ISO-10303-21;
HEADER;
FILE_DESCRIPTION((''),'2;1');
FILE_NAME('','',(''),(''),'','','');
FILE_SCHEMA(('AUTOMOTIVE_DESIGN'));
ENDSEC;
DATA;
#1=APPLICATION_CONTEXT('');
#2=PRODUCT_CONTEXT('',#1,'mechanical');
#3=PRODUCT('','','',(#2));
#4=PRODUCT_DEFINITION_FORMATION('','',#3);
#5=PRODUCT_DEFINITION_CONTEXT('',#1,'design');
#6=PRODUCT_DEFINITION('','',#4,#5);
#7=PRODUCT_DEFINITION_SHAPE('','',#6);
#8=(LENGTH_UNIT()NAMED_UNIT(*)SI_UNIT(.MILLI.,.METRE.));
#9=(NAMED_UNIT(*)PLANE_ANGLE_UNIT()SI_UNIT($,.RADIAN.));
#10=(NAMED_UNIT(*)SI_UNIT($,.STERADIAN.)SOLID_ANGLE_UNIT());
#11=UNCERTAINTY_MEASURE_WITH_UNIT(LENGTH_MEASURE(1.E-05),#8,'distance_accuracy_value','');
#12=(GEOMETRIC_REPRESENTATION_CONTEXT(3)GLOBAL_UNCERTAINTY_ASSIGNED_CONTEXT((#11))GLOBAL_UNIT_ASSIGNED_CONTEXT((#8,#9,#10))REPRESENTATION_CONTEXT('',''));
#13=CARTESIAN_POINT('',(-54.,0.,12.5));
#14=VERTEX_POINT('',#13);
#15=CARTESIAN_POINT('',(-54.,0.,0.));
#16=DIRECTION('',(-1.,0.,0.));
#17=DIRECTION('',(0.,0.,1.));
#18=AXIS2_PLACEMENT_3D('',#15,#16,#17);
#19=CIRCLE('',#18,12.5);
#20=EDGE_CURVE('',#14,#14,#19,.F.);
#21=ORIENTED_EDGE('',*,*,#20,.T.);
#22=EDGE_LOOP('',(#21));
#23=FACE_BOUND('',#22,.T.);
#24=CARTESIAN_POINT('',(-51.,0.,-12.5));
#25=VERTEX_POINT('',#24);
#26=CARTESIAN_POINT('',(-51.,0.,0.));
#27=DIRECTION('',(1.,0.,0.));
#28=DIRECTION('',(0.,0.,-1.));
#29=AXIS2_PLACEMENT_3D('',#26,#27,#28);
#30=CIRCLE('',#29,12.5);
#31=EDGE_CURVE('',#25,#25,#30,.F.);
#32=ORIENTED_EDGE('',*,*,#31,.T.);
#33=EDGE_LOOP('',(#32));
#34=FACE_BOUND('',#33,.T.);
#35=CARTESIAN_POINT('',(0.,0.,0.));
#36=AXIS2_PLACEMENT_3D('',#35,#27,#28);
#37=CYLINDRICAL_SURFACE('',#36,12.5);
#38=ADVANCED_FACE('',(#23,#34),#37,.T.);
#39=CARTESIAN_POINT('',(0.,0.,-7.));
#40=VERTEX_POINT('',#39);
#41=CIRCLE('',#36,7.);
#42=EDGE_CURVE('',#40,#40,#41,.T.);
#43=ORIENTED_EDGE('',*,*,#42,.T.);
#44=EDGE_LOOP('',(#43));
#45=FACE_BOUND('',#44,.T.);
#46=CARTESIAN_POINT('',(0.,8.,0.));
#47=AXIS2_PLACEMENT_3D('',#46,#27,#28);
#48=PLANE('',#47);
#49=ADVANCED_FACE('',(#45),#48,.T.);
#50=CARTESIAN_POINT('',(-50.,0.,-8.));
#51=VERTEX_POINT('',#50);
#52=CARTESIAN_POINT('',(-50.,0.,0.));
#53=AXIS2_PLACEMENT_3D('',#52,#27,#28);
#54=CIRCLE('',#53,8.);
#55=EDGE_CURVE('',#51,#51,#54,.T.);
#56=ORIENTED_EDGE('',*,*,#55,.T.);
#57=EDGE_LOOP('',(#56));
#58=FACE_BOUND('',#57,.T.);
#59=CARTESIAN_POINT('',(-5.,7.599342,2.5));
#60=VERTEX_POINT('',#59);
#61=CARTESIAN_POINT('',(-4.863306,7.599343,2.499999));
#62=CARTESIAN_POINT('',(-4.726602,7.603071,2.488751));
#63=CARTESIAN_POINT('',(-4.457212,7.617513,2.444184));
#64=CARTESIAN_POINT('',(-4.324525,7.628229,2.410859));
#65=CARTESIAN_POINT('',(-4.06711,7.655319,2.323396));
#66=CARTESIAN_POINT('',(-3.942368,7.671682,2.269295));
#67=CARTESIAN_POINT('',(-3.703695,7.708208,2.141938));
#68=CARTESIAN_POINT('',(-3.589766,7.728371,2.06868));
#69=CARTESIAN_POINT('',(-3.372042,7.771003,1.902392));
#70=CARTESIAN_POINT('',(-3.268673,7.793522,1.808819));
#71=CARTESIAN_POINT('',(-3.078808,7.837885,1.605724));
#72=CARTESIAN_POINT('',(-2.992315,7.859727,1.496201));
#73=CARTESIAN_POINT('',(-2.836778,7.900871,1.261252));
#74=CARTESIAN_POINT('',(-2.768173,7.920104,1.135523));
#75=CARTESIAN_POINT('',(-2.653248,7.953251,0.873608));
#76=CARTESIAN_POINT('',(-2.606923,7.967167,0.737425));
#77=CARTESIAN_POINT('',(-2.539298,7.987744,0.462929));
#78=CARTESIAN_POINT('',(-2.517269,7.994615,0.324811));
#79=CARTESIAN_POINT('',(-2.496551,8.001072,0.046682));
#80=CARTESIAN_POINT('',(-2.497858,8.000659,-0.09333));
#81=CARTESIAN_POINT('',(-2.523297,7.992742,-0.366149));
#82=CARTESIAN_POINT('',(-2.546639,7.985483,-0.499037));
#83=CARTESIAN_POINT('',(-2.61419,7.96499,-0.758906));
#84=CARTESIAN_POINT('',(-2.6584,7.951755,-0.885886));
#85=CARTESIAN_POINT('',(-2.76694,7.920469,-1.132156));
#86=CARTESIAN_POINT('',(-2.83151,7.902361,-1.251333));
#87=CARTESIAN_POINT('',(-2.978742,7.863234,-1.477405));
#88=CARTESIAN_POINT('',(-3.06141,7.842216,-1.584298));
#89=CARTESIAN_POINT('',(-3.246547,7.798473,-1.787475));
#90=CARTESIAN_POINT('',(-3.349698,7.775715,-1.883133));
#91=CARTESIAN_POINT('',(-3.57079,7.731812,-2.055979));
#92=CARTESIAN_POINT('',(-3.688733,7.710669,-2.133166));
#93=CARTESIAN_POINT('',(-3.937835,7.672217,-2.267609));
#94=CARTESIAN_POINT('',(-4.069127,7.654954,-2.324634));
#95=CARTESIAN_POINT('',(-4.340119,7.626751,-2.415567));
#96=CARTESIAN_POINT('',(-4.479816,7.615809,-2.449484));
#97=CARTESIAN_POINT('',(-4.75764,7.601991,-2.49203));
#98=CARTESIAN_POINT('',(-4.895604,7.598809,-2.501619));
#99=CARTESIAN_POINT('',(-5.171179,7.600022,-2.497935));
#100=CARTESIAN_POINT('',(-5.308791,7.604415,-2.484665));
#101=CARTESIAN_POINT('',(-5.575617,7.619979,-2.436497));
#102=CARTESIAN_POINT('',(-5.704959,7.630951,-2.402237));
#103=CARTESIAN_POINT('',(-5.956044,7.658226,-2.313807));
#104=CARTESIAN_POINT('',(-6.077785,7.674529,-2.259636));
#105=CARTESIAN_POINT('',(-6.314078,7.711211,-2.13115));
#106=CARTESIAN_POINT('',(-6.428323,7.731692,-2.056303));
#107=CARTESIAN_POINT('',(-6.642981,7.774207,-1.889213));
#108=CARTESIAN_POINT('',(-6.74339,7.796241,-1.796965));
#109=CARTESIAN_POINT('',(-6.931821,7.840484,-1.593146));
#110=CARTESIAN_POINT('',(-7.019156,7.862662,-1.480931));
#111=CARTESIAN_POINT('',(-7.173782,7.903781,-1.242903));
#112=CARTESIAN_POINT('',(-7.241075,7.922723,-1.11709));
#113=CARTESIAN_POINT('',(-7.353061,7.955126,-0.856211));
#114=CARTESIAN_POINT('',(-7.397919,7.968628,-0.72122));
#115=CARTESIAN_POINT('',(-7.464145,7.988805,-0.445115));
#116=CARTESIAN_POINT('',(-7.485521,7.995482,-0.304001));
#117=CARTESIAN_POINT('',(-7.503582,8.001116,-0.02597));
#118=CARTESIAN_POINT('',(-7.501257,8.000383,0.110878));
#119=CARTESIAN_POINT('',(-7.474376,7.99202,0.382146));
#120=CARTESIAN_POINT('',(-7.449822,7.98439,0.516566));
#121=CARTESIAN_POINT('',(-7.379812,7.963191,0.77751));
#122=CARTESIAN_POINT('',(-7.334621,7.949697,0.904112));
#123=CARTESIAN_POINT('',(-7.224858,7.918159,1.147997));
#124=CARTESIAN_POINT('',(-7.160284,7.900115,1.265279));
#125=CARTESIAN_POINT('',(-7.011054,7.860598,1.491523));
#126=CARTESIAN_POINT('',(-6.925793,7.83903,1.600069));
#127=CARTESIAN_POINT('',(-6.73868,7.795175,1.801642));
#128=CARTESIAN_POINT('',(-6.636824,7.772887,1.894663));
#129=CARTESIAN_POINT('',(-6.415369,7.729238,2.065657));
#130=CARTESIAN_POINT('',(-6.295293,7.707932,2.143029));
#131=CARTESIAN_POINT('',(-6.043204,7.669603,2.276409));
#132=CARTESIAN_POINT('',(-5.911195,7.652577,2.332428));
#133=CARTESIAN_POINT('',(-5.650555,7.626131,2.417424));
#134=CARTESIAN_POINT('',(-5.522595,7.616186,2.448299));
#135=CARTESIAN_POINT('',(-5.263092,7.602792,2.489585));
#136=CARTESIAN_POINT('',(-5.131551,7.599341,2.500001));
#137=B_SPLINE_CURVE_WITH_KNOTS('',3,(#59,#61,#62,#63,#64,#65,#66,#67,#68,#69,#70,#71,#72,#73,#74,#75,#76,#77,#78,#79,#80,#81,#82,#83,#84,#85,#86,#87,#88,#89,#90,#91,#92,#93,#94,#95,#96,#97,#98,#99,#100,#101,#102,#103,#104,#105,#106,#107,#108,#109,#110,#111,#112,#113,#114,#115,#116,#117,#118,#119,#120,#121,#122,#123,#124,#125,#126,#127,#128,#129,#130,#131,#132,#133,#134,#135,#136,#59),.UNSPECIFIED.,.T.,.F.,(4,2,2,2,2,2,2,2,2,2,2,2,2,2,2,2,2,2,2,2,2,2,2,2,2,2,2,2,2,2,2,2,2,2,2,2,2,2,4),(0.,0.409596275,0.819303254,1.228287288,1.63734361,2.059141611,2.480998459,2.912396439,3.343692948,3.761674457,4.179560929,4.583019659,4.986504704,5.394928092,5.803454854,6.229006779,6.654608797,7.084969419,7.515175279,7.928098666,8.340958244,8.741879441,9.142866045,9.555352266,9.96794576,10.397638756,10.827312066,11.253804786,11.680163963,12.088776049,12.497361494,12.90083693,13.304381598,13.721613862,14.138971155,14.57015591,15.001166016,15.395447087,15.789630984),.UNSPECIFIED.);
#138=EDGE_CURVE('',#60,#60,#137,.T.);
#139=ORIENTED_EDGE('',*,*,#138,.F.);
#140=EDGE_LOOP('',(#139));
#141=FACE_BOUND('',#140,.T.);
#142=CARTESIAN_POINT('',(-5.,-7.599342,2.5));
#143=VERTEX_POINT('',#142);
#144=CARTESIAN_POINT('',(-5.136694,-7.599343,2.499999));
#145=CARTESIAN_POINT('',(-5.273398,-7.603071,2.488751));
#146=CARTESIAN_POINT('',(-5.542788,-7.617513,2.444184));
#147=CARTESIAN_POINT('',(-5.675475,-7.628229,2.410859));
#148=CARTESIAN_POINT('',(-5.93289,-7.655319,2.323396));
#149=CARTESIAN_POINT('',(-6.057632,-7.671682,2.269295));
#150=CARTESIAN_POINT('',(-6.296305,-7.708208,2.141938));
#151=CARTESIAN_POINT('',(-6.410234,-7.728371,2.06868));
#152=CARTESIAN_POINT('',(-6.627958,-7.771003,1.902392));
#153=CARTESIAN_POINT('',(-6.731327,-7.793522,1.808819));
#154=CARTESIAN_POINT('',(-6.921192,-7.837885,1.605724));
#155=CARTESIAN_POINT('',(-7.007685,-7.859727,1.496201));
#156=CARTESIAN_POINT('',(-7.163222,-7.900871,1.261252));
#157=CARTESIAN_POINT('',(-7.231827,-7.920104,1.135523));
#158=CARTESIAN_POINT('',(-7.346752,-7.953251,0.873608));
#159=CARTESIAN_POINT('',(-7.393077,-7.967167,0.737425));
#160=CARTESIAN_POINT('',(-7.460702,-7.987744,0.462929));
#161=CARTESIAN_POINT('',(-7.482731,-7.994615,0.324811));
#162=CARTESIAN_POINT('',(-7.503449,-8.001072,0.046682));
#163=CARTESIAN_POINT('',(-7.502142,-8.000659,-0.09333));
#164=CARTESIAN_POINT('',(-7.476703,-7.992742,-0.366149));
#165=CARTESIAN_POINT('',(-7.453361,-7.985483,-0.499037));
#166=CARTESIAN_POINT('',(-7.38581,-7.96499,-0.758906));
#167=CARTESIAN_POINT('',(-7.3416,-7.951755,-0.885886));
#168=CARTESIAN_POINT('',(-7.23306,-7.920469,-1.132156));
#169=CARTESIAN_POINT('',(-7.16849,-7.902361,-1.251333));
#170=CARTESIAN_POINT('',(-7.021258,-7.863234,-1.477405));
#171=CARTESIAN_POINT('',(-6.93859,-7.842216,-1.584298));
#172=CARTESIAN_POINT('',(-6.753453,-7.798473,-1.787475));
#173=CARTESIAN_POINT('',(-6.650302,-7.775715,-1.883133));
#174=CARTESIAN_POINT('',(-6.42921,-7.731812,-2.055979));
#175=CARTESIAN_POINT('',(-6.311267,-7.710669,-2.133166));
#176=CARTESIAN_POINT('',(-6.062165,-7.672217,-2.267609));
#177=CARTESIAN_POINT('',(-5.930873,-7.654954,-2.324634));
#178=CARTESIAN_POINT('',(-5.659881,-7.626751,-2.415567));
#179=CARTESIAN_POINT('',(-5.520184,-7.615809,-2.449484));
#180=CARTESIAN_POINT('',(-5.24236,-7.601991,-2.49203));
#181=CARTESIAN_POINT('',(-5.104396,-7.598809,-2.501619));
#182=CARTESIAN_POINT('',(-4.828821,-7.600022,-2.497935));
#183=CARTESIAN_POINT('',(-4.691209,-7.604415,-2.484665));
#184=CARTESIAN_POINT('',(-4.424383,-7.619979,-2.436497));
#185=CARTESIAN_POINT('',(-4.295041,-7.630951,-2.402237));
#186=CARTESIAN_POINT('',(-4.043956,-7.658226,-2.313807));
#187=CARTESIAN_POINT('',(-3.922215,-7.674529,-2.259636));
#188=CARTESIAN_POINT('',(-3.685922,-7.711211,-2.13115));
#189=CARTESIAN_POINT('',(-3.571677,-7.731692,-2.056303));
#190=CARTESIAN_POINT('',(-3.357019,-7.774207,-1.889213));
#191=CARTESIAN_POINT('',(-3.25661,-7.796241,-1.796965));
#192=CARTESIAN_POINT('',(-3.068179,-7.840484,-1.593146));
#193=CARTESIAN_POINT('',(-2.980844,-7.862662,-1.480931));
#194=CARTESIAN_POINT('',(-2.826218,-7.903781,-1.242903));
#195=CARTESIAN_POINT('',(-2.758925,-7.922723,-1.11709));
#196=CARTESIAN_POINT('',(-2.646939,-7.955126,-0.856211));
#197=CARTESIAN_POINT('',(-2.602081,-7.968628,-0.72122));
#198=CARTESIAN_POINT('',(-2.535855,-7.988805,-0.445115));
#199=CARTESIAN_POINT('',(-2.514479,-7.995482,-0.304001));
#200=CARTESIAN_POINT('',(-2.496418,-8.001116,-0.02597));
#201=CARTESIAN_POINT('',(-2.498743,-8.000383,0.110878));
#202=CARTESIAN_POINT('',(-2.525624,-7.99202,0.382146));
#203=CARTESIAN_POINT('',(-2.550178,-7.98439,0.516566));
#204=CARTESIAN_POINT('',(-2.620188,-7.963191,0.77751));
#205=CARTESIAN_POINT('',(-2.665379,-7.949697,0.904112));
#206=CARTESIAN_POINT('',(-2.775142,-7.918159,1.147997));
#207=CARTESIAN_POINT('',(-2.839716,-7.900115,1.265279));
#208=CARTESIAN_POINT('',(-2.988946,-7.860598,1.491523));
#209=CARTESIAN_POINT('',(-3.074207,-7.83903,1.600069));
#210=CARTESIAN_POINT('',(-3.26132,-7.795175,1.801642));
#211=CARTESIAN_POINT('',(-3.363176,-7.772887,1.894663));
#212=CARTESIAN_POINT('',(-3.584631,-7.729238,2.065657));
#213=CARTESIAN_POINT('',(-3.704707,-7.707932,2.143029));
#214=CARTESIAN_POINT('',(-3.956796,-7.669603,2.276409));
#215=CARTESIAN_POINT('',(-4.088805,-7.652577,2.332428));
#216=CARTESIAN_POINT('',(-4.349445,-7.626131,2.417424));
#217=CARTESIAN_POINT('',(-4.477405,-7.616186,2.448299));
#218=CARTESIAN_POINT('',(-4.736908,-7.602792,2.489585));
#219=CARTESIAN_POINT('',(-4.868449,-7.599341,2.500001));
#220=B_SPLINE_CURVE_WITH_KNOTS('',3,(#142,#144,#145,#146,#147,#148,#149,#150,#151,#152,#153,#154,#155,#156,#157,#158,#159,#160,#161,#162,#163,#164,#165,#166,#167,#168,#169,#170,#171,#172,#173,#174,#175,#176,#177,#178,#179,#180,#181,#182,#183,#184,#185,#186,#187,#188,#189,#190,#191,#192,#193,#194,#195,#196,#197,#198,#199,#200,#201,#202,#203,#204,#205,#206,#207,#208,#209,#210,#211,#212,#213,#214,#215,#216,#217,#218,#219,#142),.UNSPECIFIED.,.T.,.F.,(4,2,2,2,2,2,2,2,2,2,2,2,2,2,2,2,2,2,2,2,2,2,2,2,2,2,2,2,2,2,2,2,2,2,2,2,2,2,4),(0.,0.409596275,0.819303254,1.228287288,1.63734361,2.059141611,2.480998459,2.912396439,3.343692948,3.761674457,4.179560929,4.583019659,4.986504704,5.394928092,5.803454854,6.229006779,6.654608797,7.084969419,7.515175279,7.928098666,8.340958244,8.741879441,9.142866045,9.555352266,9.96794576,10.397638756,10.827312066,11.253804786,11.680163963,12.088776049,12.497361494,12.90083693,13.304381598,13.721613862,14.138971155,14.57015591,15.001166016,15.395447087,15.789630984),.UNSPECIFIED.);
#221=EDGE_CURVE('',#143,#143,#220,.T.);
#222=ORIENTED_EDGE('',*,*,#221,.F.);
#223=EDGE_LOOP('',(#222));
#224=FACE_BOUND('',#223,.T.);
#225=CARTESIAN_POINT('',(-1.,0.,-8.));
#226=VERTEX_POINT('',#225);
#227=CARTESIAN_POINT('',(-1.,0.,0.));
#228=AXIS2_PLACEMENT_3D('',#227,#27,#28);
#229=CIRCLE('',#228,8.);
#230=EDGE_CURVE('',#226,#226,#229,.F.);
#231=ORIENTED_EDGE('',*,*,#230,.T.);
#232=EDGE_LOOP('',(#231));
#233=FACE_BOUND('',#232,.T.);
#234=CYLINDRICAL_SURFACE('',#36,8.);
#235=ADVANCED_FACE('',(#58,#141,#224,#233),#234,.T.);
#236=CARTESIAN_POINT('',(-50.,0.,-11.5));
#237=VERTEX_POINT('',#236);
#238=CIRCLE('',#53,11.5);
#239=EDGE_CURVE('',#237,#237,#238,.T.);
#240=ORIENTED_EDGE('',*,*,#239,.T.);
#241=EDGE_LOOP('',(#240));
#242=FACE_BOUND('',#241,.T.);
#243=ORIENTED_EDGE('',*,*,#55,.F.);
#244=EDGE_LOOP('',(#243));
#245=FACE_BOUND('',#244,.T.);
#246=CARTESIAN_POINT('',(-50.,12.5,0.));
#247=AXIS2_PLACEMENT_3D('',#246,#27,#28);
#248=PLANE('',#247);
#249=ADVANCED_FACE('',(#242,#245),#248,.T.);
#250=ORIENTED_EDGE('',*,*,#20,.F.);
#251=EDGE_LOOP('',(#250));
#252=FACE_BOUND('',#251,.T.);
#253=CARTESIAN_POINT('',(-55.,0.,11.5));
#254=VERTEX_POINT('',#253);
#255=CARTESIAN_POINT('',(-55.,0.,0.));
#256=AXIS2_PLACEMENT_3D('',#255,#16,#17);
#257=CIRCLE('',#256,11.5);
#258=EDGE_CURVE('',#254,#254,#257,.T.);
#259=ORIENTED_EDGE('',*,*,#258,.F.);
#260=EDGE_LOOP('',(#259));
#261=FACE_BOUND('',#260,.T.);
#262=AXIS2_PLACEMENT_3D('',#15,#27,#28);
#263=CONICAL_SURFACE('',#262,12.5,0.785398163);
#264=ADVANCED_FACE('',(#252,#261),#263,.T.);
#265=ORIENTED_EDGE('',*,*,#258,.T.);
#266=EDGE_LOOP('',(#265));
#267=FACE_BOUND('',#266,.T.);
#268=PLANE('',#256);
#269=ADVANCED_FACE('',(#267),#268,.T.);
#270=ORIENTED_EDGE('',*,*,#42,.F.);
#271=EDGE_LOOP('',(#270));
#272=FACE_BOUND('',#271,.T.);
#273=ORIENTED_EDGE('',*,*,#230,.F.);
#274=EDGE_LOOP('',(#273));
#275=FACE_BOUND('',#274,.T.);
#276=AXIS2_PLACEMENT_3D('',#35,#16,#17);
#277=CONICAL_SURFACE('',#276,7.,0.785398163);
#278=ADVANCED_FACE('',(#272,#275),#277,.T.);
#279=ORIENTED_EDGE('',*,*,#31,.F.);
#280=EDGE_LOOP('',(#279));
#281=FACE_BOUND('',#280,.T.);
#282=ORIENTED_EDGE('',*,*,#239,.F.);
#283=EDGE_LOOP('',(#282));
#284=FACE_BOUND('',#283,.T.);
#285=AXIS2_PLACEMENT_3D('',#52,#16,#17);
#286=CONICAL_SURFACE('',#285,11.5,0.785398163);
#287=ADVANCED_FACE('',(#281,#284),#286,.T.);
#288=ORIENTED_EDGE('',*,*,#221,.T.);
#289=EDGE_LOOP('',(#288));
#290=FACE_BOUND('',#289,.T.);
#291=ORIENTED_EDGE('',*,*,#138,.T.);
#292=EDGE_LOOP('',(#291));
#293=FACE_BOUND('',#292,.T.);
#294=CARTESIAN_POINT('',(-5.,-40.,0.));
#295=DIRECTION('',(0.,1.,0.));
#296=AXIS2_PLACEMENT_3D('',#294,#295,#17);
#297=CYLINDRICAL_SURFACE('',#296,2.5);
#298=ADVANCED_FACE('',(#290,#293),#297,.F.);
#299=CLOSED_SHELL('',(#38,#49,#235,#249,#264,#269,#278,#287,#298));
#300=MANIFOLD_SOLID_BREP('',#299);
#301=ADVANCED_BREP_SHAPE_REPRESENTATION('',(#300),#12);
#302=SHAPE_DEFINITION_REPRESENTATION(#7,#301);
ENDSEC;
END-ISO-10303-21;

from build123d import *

# Parameters (mm, degrees)
CHAMFER_1_SIZE      = 1
CHAMFER_2_SIZE      = 1
SKETCH_2_R          = 2.5
CUT_EXTRUDE_1_DEPTH = 40


with BuildPart() as part:
    # 草图1 → 旋转1 (revolve)
    with BuildSketch(Plane.XY, mode=Mode.PRIVATE) as revolve_1_sk:
        Polygon((-55, 0), (-55, 12.5), (-50, 12.5), (-50, 8), (0, 8), (0, 0), align=None)
    revolve(revolve_1_sk.sketch.rotate(Axis((0, 0, 0), (-1, 0, 0)), 90), axis=Axis((0, 0, 0), (-1, 0, 0)))

    # 倒角1
    chamfer_1_edges = [part.edges().sort_by_distance(p)[0] for p in [
        (-50, 0, 12.5),
        (-55, 0, 12.5),
    ]]
    chamfer(chamfer_1_edges, length=CHAMFER_1_SIZE)

    # 倒角2
    chamfer_2_edges = [part.edges().sort_by_distance(p)[0] for p in [
        (0, 0, 8),
    ]]
    chamfer(chamfer_2_edges, length=CHAMFER_2_SIZE)

    # 草图2 → 切除-拉伸1 (cut, symmetric)
    with BuildSketch(Plane(origin=(0, 0, 0), x_dir=(1, 0, 0), z_dir=(0, 1, 0))):
        with Locations(Location((-5, 0, 0), (0, 0, 270))):
            Circle(SKETCH_2_R)
    extrude(amount=CUT_EXTRUDE_1_DEPTH, both=True, mode=Mode.SUBTRACT)


solid = part.part
